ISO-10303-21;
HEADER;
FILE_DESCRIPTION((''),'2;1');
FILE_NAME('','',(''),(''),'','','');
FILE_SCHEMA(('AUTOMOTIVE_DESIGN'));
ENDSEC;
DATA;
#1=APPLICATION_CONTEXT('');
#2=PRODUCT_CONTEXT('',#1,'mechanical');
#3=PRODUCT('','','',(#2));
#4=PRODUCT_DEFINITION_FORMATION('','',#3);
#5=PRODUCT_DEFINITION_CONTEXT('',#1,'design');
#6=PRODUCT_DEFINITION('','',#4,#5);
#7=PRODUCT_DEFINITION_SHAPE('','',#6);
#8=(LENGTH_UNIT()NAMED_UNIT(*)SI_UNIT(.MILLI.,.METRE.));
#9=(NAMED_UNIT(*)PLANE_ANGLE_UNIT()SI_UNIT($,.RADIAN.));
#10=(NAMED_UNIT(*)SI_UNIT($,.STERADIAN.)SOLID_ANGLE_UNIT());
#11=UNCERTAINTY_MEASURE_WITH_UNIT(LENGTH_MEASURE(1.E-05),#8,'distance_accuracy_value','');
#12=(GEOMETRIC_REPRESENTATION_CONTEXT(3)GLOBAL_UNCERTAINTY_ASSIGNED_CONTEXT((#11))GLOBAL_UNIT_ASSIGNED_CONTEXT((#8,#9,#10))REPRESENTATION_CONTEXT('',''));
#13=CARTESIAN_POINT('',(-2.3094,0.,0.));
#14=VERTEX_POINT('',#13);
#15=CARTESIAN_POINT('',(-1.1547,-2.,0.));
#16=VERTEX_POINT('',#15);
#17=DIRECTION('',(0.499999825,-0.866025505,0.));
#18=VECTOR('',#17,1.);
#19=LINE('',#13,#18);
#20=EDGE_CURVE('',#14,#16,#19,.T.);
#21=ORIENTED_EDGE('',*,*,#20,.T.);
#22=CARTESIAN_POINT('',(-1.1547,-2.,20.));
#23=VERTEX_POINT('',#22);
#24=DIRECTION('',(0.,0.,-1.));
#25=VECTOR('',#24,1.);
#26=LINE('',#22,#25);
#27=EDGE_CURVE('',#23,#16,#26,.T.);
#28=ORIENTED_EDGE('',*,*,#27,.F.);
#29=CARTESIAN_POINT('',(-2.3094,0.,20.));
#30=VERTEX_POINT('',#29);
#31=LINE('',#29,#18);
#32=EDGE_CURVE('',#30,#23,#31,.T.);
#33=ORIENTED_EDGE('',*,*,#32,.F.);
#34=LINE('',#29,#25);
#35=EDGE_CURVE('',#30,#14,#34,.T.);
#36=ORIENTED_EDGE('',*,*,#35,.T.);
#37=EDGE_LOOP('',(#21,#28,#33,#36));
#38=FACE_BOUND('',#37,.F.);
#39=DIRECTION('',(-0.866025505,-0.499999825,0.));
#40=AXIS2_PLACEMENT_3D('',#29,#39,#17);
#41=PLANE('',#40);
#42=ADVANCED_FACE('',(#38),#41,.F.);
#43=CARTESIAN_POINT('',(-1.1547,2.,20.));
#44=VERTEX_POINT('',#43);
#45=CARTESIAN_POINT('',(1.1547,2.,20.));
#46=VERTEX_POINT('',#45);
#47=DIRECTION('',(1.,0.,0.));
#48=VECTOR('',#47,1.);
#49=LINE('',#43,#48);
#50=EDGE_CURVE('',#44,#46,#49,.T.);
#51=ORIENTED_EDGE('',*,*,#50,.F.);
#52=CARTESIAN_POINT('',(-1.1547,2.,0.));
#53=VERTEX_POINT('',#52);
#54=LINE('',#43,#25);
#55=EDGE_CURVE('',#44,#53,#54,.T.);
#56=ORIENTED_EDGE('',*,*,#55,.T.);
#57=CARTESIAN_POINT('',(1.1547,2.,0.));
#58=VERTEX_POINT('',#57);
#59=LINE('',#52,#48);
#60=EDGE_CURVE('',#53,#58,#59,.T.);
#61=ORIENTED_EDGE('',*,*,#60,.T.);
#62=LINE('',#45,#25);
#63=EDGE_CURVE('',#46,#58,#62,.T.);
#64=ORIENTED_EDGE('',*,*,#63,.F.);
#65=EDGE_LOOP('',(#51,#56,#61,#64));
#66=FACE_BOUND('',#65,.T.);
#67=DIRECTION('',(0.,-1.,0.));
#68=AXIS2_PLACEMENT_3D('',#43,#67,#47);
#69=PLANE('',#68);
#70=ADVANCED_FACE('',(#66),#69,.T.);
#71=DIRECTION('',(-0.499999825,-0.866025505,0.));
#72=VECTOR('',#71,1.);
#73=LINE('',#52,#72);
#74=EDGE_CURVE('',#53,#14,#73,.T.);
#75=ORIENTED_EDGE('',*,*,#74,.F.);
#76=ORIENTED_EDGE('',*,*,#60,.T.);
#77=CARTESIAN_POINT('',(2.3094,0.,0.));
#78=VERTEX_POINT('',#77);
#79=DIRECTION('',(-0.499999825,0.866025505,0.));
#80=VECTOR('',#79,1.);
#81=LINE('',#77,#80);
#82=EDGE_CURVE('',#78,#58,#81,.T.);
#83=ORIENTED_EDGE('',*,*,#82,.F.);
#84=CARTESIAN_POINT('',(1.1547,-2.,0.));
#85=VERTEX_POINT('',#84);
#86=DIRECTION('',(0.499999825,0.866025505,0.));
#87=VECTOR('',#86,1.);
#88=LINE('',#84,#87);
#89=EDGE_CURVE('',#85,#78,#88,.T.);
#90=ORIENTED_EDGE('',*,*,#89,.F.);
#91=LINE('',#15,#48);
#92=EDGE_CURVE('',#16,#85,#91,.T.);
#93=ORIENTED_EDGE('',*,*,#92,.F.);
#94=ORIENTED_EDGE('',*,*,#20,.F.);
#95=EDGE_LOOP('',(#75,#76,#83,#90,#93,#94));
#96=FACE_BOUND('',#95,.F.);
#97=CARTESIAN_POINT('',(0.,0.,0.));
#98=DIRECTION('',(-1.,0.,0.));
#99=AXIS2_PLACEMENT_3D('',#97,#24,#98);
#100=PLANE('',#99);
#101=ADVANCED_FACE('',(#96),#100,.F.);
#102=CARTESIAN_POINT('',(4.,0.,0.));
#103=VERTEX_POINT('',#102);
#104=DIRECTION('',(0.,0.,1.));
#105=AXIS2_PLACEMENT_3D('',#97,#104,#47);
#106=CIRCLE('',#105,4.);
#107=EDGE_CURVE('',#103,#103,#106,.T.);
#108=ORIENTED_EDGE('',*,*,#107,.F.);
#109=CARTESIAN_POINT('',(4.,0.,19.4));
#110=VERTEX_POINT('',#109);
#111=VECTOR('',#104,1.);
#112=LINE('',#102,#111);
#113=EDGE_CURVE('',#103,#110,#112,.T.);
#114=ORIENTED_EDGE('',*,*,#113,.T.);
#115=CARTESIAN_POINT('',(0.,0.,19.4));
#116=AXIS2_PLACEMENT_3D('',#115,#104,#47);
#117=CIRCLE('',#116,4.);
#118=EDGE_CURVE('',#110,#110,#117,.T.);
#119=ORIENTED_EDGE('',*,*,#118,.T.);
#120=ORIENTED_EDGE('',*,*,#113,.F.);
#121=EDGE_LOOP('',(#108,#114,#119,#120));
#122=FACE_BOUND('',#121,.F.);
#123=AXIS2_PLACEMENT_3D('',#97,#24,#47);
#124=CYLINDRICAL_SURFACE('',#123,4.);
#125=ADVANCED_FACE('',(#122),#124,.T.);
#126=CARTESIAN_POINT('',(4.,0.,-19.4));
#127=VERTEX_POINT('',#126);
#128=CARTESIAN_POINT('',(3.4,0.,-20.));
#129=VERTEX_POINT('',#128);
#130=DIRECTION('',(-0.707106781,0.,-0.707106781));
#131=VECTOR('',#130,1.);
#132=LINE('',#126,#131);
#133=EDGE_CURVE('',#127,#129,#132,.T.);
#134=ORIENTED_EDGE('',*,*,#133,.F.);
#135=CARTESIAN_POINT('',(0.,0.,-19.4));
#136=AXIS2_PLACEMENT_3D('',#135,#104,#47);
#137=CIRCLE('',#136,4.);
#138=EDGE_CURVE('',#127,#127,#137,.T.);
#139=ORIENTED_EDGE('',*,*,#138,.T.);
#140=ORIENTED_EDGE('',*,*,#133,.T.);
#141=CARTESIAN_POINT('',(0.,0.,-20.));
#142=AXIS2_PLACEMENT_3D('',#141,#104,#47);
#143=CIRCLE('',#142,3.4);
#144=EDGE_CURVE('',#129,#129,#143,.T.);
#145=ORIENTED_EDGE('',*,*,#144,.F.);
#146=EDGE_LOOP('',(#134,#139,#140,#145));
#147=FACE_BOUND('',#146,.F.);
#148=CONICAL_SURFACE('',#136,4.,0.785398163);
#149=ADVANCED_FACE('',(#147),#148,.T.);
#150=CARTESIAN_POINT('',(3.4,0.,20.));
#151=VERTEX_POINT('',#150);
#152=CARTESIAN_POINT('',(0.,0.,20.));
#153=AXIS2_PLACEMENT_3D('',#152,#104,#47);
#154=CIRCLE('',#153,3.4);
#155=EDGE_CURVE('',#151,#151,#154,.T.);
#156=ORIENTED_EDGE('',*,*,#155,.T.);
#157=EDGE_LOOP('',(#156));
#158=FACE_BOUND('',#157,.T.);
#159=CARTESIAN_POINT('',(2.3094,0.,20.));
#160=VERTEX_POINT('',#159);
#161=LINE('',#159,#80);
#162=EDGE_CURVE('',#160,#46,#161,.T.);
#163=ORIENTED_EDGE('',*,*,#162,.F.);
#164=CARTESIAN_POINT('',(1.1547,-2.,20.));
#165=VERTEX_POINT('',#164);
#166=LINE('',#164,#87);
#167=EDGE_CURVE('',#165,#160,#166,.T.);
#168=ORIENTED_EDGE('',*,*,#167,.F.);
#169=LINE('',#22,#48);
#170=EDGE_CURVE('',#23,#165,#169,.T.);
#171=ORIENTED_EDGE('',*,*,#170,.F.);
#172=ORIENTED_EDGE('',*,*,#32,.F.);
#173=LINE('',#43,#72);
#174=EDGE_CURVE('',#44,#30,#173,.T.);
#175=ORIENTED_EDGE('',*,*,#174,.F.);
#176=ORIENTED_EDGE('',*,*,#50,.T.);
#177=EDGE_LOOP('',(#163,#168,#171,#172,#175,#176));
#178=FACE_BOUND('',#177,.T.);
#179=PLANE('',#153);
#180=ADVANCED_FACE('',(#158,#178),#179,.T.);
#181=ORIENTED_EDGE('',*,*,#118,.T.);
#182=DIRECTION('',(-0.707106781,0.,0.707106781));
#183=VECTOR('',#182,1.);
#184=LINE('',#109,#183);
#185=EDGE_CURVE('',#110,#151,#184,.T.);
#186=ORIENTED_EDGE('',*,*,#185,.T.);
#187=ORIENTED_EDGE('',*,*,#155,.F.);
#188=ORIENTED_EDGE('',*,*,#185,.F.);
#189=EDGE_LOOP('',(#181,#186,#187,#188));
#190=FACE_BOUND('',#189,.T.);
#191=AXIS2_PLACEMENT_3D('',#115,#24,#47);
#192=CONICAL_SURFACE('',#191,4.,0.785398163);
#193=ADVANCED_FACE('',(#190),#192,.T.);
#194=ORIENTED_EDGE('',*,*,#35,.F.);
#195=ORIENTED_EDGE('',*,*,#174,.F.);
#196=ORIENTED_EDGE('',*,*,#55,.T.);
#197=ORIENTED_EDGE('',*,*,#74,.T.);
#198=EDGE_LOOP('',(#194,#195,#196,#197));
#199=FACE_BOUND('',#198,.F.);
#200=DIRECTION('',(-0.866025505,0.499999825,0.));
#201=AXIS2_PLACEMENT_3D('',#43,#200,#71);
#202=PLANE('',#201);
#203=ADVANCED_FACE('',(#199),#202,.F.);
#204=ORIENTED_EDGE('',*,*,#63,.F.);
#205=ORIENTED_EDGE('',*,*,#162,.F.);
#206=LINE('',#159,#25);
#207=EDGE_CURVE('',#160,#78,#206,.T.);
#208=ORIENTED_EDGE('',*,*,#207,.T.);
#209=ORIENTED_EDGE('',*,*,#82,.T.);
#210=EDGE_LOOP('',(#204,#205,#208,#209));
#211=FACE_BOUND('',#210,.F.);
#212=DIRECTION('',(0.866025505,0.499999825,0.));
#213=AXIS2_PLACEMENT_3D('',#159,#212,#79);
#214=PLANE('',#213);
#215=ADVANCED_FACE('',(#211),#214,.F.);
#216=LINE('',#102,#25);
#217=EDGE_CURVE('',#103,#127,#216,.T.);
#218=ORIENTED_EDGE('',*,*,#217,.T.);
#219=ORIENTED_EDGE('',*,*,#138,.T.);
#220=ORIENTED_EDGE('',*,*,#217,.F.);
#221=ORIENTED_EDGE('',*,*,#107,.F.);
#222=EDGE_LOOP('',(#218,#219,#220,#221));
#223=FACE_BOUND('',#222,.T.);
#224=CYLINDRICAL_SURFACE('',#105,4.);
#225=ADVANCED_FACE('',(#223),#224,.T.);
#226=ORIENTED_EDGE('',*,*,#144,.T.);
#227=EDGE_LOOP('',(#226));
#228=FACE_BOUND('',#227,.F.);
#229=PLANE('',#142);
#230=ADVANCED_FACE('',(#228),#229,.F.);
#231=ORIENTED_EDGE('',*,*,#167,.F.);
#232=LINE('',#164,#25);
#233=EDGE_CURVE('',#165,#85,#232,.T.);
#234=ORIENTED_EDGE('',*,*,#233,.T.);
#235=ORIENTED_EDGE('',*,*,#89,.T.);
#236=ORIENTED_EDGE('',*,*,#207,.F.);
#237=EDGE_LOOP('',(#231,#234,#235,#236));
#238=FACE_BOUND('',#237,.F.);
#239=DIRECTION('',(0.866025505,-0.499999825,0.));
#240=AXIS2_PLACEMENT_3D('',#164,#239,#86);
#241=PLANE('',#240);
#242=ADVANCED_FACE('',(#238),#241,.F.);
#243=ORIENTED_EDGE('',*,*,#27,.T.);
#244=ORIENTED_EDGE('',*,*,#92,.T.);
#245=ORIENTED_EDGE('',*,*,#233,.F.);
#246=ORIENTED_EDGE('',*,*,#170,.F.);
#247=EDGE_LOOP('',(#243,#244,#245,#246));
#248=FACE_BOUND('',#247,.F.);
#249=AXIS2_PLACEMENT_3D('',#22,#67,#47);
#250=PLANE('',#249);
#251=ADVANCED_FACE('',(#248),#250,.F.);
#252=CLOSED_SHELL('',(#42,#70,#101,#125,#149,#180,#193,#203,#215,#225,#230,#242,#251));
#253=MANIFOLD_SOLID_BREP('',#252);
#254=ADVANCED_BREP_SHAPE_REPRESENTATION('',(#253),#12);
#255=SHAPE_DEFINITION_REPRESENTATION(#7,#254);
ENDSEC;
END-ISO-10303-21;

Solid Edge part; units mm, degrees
sketch "Sketch1" plane through (0, 0, 0) normal (0, 0, 1) x (1, 0, 0)
  circle A0 centre (0, 0) radius 4
  dimension "D1" = 8
extrude "Protrusion1" add sketch "Sketch1" along normal mid plane 40
chamfer "Chamfer1" distance 0.6 angle 45 2 edges at (-4, 0, -20) (-4, 0, 20)
sketch "Sketch2" plane through (0, 0, 20) normal (0, 0, 1) x (1, 0, 0)
  line L0 (-1.1547, 2) -> (1.1547, 2)
  line L1 (2.3094, 0) -> (1.1547, 2)
  line L2 (1.1547, -2) -> (2.3094, 0)
  line L3 (-1.1547, -2) -> (1.1547, -2)
  line L4 (-2.3094, 0) -> (-1.1547, -2)
  line L5 (-1.1547, 2) -> (-2.3094, 0)
  dimension "D1" = 4
extrude "Cutout1" cut sketch "Sketch2" against normal blind 20
properties part number "201055"
